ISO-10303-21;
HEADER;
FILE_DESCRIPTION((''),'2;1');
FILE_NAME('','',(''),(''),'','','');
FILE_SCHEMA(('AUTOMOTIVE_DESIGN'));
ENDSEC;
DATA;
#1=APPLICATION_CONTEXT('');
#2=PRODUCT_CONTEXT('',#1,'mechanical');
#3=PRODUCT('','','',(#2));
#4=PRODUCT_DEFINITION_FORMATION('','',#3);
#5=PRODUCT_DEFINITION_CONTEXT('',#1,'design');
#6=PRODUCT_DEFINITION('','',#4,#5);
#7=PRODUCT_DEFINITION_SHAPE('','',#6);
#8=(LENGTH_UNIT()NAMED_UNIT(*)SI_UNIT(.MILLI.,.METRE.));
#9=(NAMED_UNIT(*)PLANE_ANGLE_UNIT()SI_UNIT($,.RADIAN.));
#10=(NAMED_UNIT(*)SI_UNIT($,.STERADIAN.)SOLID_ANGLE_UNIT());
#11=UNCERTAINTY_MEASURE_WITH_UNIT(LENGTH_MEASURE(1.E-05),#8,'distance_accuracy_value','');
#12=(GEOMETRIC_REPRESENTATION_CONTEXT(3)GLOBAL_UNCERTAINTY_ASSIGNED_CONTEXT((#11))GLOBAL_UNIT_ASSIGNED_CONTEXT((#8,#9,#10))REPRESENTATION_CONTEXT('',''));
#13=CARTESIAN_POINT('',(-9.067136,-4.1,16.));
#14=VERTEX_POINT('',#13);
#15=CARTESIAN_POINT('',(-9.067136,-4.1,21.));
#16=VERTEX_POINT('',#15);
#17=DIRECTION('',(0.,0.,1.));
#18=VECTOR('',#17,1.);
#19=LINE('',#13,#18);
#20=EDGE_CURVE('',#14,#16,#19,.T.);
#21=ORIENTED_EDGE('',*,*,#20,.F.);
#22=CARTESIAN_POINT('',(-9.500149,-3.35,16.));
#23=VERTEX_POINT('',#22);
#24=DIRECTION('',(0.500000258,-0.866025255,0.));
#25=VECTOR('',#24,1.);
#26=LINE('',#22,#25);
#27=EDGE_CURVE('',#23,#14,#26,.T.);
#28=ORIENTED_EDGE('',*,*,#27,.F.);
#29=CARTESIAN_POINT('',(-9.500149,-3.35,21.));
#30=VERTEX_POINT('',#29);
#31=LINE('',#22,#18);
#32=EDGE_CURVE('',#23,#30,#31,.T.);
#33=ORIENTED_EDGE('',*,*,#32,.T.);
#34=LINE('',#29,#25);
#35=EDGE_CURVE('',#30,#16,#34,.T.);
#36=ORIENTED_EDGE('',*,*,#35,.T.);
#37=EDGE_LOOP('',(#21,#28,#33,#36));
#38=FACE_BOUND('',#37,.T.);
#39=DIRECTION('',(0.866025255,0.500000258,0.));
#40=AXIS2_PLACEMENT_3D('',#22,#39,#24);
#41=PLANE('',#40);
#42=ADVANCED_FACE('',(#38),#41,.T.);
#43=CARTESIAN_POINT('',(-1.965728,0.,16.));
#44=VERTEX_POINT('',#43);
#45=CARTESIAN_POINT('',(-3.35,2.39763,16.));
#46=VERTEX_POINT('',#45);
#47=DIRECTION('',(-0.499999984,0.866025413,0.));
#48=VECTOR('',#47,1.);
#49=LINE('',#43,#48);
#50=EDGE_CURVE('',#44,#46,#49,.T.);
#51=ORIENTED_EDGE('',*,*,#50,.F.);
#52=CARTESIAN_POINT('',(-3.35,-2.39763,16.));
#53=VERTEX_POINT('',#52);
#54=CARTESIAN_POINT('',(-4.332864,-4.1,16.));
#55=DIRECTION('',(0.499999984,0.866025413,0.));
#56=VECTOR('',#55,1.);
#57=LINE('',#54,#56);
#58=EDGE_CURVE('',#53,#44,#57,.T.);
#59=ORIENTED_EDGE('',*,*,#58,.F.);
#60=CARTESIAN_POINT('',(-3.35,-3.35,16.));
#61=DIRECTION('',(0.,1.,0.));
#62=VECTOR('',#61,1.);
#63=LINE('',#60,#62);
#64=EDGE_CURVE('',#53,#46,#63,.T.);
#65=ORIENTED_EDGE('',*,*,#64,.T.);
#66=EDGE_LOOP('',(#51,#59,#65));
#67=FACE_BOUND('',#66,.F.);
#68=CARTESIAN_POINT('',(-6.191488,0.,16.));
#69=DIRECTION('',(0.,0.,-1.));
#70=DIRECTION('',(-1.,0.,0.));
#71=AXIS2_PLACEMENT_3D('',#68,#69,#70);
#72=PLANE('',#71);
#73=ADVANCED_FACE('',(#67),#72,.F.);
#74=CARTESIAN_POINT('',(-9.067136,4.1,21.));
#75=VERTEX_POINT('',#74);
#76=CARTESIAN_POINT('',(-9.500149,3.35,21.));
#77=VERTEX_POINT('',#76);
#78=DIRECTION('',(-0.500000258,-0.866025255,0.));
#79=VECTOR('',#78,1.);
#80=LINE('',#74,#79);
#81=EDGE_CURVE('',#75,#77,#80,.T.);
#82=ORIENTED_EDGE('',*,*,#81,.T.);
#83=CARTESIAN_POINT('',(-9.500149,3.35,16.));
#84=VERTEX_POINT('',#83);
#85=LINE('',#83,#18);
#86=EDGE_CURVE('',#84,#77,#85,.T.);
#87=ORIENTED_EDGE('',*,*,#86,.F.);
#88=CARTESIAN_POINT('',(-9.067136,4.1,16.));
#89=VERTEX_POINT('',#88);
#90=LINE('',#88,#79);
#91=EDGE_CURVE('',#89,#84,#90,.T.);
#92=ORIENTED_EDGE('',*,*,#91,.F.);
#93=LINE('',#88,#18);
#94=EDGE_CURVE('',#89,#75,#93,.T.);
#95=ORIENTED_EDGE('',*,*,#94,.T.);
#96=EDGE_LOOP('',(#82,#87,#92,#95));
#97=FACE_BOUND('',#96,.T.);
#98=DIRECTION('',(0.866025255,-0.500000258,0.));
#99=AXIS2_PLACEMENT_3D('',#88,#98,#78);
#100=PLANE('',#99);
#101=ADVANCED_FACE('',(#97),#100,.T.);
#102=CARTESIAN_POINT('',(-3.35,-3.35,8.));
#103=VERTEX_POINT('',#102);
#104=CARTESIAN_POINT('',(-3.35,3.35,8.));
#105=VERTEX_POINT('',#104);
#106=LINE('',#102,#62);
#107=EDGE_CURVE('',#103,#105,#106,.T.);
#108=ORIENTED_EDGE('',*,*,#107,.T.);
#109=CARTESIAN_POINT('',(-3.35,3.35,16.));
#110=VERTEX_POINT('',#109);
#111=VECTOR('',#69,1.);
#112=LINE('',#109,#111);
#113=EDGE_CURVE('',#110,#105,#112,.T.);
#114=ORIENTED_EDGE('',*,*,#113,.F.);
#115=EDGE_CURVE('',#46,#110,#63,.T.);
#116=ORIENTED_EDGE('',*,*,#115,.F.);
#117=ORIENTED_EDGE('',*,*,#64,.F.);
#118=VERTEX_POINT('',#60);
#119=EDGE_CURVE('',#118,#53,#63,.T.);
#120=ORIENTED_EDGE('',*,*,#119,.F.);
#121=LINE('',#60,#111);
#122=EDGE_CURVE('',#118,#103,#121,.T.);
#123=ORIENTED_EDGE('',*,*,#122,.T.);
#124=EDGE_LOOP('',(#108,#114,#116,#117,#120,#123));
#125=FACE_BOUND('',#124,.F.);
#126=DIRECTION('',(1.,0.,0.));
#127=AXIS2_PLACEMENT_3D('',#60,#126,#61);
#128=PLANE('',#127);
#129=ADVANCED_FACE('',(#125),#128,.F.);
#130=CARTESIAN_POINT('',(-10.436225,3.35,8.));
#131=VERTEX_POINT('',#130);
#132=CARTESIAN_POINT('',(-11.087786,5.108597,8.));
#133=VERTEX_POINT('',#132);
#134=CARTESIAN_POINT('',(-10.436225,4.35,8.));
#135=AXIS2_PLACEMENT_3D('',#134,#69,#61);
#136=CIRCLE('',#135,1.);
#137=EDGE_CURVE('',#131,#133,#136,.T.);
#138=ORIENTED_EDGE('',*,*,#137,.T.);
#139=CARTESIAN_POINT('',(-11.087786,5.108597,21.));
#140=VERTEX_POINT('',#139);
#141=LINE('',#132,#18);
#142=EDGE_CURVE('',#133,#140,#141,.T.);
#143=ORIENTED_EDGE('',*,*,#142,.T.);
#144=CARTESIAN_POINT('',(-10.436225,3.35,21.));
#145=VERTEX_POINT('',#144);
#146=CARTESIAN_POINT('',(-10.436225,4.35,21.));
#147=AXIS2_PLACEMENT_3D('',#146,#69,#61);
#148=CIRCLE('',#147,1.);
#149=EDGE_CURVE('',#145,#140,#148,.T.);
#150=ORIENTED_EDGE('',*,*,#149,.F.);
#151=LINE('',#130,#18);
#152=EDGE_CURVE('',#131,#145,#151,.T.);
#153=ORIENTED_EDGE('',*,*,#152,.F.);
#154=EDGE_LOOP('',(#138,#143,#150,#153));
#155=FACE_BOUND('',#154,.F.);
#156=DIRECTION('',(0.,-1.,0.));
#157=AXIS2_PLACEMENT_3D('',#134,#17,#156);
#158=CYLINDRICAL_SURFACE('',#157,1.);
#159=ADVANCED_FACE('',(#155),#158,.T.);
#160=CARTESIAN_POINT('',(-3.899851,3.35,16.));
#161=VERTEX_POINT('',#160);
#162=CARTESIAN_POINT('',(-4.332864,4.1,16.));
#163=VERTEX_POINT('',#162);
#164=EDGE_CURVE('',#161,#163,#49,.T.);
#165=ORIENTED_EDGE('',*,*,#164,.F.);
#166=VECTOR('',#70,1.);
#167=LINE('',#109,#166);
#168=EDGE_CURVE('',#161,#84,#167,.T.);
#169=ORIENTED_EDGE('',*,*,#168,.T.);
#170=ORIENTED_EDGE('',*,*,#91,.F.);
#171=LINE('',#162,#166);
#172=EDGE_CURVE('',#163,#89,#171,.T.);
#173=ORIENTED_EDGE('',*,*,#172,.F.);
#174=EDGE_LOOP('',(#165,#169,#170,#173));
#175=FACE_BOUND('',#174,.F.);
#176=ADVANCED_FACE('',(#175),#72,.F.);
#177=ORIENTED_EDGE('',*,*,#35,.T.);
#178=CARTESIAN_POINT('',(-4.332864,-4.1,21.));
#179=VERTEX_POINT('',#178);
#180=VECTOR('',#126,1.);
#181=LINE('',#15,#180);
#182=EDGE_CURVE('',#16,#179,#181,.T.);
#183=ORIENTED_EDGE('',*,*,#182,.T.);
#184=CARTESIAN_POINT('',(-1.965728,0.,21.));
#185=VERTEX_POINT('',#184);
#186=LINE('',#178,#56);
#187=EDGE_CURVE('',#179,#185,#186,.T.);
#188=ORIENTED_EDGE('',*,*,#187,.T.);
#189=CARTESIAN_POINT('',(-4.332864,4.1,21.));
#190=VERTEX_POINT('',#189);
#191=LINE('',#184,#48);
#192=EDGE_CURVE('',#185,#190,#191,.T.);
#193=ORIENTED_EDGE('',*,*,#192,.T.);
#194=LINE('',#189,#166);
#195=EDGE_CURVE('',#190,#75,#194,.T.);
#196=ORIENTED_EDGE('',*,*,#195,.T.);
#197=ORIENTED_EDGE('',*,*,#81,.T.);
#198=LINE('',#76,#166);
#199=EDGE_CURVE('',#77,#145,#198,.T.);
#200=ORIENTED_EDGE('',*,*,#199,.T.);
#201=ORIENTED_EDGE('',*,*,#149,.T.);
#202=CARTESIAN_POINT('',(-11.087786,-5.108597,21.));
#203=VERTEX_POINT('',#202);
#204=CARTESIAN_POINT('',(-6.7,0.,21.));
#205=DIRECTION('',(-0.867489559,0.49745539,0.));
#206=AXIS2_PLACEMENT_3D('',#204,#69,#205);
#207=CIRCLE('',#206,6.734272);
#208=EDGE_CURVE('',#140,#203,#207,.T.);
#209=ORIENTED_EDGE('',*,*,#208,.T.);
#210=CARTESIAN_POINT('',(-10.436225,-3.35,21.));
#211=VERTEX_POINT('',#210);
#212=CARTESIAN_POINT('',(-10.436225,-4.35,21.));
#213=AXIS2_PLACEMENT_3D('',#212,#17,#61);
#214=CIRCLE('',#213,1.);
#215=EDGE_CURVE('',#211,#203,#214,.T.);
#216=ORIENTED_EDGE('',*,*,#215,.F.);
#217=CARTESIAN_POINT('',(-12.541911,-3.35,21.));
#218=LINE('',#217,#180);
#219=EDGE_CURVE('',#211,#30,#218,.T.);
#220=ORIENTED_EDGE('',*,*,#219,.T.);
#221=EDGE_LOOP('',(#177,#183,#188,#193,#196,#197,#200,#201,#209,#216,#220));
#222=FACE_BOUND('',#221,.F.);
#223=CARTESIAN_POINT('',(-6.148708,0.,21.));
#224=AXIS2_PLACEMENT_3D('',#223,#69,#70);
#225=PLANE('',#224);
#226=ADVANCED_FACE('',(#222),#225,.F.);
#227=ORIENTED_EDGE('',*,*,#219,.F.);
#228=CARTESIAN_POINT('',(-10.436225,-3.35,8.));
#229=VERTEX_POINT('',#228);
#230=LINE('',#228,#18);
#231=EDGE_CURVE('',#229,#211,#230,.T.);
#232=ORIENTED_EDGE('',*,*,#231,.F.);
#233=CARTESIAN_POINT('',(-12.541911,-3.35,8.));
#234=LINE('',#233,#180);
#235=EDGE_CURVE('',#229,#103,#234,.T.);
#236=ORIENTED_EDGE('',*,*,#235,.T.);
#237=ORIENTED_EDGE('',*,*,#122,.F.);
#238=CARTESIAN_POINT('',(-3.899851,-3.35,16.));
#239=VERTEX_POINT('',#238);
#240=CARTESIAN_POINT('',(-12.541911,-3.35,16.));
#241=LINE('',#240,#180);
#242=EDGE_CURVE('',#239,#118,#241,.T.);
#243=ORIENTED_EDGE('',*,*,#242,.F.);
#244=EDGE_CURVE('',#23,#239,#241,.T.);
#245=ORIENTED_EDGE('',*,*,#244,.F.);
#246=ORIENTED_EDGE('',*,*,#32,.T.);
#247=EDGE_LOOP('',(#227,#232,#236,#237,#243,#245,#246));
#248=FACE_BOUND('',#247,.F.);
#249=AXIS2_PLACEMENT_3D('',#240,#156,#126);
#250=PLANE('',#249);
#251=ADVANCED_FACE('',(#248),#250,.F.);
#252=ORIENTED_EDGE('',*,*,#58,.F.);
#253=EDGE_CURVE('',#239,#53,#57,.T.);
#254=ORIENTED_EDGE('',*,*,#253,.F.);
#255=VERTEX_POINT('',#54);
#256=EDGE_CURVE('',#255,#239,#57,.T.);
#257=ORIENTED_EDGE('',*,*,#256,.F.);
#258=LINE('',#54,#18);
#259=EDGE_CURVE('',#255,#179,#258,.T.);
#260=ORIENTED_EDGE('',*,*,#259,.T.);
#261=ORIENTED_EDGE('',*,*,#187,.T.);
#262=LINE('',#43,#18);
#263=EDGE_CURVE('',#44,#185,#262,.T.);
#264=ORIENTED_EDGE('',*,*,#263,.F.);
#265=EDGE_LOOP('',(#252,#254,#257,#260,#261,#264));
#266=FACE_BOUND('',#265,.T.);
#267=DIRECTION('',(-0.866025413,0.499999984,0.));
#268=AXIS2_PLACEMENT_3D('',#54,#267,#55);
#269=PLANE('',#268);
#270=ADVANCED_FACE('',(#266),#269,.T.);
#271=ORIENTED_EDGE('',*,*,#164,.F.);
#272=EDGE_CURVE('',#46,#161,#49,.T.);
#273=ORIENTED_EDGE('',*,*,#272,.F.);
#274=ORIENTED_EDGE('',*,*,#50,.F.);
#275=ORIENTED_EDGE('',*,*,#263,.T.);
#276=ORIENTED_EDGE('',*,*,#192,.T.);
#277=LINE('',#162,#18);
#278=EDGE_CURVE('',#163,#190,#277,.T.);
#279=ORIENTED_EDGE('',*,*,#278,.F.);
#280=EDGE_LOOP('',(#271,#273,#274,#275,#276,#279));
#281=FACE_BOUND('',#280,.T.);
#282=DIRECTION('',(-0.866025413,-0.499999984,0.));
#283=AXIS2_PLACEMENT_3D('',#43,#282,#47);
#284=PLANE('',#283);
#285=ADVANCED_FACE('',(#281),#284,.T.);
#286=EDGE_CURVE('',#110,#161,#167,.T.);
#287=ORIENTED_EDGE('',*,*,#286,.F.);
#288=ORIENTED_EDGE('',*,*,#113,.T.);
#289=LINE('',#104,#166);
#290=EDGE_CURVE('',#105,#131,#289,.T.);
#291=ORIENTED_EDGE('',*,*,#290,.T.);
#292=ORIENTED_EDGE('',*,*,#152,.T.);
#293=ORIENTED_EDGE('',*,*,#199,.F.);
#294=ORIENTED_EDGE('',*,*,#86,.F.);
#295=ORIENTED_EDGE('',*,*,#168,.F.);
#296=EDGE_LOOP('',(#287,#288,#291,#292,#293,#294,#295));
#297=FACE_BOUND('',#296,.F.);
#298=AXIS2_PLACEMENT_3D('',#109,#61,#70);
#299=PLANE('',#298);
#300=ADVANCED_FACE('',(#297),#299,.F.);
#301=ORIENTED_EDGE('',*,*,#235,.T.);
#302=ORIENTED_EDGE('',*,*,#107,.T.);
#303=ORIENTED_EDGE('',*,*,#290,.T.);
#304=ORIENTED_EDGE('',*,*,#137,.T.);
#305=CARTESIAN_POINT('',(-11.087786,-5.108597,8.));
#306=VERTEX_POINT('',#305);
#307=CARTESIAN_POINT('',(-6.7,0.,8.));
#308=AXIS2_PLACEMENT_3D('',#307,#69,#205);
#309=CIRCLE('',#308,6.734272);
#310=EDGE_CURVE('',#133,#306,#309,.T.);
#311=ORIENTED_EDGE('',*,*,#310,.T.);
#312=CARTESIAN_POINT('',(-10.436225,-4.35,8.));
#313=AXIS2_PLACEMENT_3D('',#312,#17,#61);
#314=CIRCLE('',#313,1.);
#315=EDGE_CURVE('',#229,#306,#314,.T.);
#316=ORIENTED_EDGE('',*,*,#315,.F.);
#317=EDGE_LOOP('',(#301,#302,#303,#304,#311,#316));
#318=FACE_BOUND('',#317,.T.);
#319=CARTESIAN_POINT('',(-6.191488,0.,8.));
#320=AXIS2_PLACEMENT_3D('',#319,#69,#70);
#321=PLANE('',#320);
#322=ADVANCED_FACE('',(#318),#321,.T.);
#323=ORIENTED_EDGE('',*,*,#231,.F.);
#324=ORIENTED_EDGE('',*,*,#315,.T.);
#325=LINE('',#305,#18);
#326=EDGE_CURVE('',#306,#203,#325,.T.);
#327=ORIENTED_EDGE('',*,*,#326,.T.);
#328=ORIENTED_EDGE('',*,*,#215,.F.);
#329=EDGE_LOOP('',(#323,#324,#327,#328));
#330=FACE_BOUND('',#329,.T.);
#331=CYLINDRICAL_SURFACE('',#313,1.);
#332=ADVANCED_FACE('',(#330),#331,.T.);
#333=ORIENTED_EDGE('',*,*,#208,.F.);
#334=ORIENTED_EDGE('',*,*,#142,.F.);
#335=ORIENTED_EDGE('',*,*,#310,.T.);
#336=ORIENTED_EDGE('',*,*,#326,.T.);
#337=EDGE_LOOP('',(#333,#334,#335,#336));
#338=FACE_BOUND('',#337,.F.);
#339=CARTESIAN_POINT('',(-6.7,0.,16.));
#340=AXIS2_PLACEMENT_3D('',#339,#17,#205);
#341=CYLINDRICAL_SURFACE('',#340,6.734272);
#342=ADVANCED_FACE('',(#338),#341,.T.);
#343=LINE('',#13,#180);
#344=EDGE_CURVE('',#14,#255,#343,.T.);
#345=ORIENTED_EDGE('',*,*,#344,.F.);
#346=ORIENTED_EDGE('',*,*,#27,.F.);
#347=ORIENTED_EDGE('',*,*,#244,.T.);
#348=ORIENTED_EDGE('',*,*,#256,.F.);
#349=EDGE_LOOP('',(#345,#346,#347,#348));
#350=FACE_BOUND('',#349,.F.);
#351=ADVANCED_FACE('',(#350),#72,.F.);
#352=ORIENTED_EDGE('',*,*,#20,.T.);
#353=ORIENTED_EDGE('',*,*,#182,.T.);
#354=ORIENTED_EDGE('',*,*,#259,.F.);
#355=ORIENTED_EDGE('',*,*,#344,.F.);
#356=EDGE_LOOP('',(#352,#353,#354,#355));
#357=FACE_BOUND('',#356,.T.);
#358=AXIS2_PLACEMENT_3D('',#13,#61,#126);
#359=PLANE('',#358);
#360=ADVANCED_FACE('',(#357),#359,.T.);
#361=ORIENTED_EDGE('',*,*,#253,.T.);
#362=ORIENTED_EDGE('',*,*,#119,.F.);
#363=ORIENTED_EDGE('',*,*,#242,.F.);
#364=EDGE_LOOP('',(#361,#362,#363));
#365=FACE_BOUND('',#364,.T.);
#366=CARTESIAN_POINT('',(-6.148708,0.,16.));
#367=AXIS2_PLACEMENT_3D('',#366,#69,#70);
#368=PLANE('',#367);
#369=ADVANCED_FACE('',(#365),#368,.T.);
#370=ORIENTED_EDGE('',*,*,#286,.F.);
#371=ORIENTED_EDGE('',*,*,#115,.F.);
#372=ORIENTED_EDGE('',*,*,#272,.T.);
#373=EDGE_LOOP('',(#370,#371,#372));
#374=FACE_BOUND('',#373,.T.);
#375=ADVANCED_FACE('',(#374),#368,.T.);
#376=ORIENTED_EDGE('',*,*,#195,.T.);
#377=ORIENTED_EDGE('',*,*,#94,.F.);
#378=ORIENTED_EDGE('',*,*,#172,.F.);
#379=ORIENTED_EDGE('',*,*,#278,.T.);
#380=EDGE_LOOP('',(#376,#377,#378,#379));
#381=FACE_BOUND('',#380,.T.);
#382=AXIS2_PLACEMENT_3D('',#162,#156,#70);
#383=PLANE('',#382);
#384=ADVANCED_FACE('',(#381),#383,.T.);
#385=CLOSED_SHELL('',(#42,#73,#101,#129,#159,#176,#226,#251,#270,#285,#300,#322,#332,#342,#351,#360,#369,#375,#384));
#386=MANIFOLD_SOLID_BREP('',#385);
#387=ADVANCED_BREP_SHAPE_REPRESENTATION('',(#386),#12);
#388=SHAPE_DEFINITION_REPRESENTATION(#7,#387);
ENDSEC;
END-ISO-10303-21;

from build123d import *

# Parameters (mm, degrees)
F1_DEPTH = 5
F3_DEPTH = 8
F4_R     = 1
F5_ANGLE = 180


with BuildPart() as f1:
    # F0 (on Top) → F1 (new body)
    with BuildSketch(Plane.XY):
        with BuildLine():
            Line((-4.734272, 0), (-2.367136, 4.1))
            Line((-2.367136, 4.1), (2.367136, 4.1))
            Line((2.367136, 4.1), (2.800149, 3.35))
            Line((2.800149, 3.35), (5.841911, 3.35))
            ThreePointArc((5.841911, 3.35), (-6.734272, 0), (5.841911, -3.35))
            Line((5.841911, -3.35), (2.800149, -3.35))
            Line((2.800149, -3.35), (2.367136, -4.1))
            Line((2.367136, -4.1), (-2.367136, -4.1))
            Line((-2.367136, -4.1), (-4.734272, 0))
        make_face()
    extrude(amount=-F1_DEPTH)

    # F2 (on Top) → F3 (join)
    with BuildSketch(Plane.XY):
        with BuildLine():
            Line((5.841911, -3.35), (3.35, -3.35))
            Line((3.35, -3.35), (-3.35, -3.35))
            Line((-3.35, -3.35), (-3.35, 3.35))
            Line((-3.35, 3.35), (3.35, 3.35))
            Line((3.35, 3.35), (5.841911, 3.35))
            ThreePointArc((5.841911, 3.35), (-6.734272, 0), (5.841911, -3.35))
        make_face()
    extrude(amount=F3_DEPTH)

    # F4
    f4_edges = [f1.edges().sort_by_distance(p)[0] for p in [
        (5.841911, 3.35, 1.5),
        (5.841911, -3.35, 1.5),
    ]]
    fillet(f4_edges, radius=F4_R)


with BuildPart() as f1_1:
    # F5: moved
    add(f1.part.rotate(Axis((-3.35, 0, 8), (0, -1, 0)), F5_ANGLE))


solid = f1_1.part
